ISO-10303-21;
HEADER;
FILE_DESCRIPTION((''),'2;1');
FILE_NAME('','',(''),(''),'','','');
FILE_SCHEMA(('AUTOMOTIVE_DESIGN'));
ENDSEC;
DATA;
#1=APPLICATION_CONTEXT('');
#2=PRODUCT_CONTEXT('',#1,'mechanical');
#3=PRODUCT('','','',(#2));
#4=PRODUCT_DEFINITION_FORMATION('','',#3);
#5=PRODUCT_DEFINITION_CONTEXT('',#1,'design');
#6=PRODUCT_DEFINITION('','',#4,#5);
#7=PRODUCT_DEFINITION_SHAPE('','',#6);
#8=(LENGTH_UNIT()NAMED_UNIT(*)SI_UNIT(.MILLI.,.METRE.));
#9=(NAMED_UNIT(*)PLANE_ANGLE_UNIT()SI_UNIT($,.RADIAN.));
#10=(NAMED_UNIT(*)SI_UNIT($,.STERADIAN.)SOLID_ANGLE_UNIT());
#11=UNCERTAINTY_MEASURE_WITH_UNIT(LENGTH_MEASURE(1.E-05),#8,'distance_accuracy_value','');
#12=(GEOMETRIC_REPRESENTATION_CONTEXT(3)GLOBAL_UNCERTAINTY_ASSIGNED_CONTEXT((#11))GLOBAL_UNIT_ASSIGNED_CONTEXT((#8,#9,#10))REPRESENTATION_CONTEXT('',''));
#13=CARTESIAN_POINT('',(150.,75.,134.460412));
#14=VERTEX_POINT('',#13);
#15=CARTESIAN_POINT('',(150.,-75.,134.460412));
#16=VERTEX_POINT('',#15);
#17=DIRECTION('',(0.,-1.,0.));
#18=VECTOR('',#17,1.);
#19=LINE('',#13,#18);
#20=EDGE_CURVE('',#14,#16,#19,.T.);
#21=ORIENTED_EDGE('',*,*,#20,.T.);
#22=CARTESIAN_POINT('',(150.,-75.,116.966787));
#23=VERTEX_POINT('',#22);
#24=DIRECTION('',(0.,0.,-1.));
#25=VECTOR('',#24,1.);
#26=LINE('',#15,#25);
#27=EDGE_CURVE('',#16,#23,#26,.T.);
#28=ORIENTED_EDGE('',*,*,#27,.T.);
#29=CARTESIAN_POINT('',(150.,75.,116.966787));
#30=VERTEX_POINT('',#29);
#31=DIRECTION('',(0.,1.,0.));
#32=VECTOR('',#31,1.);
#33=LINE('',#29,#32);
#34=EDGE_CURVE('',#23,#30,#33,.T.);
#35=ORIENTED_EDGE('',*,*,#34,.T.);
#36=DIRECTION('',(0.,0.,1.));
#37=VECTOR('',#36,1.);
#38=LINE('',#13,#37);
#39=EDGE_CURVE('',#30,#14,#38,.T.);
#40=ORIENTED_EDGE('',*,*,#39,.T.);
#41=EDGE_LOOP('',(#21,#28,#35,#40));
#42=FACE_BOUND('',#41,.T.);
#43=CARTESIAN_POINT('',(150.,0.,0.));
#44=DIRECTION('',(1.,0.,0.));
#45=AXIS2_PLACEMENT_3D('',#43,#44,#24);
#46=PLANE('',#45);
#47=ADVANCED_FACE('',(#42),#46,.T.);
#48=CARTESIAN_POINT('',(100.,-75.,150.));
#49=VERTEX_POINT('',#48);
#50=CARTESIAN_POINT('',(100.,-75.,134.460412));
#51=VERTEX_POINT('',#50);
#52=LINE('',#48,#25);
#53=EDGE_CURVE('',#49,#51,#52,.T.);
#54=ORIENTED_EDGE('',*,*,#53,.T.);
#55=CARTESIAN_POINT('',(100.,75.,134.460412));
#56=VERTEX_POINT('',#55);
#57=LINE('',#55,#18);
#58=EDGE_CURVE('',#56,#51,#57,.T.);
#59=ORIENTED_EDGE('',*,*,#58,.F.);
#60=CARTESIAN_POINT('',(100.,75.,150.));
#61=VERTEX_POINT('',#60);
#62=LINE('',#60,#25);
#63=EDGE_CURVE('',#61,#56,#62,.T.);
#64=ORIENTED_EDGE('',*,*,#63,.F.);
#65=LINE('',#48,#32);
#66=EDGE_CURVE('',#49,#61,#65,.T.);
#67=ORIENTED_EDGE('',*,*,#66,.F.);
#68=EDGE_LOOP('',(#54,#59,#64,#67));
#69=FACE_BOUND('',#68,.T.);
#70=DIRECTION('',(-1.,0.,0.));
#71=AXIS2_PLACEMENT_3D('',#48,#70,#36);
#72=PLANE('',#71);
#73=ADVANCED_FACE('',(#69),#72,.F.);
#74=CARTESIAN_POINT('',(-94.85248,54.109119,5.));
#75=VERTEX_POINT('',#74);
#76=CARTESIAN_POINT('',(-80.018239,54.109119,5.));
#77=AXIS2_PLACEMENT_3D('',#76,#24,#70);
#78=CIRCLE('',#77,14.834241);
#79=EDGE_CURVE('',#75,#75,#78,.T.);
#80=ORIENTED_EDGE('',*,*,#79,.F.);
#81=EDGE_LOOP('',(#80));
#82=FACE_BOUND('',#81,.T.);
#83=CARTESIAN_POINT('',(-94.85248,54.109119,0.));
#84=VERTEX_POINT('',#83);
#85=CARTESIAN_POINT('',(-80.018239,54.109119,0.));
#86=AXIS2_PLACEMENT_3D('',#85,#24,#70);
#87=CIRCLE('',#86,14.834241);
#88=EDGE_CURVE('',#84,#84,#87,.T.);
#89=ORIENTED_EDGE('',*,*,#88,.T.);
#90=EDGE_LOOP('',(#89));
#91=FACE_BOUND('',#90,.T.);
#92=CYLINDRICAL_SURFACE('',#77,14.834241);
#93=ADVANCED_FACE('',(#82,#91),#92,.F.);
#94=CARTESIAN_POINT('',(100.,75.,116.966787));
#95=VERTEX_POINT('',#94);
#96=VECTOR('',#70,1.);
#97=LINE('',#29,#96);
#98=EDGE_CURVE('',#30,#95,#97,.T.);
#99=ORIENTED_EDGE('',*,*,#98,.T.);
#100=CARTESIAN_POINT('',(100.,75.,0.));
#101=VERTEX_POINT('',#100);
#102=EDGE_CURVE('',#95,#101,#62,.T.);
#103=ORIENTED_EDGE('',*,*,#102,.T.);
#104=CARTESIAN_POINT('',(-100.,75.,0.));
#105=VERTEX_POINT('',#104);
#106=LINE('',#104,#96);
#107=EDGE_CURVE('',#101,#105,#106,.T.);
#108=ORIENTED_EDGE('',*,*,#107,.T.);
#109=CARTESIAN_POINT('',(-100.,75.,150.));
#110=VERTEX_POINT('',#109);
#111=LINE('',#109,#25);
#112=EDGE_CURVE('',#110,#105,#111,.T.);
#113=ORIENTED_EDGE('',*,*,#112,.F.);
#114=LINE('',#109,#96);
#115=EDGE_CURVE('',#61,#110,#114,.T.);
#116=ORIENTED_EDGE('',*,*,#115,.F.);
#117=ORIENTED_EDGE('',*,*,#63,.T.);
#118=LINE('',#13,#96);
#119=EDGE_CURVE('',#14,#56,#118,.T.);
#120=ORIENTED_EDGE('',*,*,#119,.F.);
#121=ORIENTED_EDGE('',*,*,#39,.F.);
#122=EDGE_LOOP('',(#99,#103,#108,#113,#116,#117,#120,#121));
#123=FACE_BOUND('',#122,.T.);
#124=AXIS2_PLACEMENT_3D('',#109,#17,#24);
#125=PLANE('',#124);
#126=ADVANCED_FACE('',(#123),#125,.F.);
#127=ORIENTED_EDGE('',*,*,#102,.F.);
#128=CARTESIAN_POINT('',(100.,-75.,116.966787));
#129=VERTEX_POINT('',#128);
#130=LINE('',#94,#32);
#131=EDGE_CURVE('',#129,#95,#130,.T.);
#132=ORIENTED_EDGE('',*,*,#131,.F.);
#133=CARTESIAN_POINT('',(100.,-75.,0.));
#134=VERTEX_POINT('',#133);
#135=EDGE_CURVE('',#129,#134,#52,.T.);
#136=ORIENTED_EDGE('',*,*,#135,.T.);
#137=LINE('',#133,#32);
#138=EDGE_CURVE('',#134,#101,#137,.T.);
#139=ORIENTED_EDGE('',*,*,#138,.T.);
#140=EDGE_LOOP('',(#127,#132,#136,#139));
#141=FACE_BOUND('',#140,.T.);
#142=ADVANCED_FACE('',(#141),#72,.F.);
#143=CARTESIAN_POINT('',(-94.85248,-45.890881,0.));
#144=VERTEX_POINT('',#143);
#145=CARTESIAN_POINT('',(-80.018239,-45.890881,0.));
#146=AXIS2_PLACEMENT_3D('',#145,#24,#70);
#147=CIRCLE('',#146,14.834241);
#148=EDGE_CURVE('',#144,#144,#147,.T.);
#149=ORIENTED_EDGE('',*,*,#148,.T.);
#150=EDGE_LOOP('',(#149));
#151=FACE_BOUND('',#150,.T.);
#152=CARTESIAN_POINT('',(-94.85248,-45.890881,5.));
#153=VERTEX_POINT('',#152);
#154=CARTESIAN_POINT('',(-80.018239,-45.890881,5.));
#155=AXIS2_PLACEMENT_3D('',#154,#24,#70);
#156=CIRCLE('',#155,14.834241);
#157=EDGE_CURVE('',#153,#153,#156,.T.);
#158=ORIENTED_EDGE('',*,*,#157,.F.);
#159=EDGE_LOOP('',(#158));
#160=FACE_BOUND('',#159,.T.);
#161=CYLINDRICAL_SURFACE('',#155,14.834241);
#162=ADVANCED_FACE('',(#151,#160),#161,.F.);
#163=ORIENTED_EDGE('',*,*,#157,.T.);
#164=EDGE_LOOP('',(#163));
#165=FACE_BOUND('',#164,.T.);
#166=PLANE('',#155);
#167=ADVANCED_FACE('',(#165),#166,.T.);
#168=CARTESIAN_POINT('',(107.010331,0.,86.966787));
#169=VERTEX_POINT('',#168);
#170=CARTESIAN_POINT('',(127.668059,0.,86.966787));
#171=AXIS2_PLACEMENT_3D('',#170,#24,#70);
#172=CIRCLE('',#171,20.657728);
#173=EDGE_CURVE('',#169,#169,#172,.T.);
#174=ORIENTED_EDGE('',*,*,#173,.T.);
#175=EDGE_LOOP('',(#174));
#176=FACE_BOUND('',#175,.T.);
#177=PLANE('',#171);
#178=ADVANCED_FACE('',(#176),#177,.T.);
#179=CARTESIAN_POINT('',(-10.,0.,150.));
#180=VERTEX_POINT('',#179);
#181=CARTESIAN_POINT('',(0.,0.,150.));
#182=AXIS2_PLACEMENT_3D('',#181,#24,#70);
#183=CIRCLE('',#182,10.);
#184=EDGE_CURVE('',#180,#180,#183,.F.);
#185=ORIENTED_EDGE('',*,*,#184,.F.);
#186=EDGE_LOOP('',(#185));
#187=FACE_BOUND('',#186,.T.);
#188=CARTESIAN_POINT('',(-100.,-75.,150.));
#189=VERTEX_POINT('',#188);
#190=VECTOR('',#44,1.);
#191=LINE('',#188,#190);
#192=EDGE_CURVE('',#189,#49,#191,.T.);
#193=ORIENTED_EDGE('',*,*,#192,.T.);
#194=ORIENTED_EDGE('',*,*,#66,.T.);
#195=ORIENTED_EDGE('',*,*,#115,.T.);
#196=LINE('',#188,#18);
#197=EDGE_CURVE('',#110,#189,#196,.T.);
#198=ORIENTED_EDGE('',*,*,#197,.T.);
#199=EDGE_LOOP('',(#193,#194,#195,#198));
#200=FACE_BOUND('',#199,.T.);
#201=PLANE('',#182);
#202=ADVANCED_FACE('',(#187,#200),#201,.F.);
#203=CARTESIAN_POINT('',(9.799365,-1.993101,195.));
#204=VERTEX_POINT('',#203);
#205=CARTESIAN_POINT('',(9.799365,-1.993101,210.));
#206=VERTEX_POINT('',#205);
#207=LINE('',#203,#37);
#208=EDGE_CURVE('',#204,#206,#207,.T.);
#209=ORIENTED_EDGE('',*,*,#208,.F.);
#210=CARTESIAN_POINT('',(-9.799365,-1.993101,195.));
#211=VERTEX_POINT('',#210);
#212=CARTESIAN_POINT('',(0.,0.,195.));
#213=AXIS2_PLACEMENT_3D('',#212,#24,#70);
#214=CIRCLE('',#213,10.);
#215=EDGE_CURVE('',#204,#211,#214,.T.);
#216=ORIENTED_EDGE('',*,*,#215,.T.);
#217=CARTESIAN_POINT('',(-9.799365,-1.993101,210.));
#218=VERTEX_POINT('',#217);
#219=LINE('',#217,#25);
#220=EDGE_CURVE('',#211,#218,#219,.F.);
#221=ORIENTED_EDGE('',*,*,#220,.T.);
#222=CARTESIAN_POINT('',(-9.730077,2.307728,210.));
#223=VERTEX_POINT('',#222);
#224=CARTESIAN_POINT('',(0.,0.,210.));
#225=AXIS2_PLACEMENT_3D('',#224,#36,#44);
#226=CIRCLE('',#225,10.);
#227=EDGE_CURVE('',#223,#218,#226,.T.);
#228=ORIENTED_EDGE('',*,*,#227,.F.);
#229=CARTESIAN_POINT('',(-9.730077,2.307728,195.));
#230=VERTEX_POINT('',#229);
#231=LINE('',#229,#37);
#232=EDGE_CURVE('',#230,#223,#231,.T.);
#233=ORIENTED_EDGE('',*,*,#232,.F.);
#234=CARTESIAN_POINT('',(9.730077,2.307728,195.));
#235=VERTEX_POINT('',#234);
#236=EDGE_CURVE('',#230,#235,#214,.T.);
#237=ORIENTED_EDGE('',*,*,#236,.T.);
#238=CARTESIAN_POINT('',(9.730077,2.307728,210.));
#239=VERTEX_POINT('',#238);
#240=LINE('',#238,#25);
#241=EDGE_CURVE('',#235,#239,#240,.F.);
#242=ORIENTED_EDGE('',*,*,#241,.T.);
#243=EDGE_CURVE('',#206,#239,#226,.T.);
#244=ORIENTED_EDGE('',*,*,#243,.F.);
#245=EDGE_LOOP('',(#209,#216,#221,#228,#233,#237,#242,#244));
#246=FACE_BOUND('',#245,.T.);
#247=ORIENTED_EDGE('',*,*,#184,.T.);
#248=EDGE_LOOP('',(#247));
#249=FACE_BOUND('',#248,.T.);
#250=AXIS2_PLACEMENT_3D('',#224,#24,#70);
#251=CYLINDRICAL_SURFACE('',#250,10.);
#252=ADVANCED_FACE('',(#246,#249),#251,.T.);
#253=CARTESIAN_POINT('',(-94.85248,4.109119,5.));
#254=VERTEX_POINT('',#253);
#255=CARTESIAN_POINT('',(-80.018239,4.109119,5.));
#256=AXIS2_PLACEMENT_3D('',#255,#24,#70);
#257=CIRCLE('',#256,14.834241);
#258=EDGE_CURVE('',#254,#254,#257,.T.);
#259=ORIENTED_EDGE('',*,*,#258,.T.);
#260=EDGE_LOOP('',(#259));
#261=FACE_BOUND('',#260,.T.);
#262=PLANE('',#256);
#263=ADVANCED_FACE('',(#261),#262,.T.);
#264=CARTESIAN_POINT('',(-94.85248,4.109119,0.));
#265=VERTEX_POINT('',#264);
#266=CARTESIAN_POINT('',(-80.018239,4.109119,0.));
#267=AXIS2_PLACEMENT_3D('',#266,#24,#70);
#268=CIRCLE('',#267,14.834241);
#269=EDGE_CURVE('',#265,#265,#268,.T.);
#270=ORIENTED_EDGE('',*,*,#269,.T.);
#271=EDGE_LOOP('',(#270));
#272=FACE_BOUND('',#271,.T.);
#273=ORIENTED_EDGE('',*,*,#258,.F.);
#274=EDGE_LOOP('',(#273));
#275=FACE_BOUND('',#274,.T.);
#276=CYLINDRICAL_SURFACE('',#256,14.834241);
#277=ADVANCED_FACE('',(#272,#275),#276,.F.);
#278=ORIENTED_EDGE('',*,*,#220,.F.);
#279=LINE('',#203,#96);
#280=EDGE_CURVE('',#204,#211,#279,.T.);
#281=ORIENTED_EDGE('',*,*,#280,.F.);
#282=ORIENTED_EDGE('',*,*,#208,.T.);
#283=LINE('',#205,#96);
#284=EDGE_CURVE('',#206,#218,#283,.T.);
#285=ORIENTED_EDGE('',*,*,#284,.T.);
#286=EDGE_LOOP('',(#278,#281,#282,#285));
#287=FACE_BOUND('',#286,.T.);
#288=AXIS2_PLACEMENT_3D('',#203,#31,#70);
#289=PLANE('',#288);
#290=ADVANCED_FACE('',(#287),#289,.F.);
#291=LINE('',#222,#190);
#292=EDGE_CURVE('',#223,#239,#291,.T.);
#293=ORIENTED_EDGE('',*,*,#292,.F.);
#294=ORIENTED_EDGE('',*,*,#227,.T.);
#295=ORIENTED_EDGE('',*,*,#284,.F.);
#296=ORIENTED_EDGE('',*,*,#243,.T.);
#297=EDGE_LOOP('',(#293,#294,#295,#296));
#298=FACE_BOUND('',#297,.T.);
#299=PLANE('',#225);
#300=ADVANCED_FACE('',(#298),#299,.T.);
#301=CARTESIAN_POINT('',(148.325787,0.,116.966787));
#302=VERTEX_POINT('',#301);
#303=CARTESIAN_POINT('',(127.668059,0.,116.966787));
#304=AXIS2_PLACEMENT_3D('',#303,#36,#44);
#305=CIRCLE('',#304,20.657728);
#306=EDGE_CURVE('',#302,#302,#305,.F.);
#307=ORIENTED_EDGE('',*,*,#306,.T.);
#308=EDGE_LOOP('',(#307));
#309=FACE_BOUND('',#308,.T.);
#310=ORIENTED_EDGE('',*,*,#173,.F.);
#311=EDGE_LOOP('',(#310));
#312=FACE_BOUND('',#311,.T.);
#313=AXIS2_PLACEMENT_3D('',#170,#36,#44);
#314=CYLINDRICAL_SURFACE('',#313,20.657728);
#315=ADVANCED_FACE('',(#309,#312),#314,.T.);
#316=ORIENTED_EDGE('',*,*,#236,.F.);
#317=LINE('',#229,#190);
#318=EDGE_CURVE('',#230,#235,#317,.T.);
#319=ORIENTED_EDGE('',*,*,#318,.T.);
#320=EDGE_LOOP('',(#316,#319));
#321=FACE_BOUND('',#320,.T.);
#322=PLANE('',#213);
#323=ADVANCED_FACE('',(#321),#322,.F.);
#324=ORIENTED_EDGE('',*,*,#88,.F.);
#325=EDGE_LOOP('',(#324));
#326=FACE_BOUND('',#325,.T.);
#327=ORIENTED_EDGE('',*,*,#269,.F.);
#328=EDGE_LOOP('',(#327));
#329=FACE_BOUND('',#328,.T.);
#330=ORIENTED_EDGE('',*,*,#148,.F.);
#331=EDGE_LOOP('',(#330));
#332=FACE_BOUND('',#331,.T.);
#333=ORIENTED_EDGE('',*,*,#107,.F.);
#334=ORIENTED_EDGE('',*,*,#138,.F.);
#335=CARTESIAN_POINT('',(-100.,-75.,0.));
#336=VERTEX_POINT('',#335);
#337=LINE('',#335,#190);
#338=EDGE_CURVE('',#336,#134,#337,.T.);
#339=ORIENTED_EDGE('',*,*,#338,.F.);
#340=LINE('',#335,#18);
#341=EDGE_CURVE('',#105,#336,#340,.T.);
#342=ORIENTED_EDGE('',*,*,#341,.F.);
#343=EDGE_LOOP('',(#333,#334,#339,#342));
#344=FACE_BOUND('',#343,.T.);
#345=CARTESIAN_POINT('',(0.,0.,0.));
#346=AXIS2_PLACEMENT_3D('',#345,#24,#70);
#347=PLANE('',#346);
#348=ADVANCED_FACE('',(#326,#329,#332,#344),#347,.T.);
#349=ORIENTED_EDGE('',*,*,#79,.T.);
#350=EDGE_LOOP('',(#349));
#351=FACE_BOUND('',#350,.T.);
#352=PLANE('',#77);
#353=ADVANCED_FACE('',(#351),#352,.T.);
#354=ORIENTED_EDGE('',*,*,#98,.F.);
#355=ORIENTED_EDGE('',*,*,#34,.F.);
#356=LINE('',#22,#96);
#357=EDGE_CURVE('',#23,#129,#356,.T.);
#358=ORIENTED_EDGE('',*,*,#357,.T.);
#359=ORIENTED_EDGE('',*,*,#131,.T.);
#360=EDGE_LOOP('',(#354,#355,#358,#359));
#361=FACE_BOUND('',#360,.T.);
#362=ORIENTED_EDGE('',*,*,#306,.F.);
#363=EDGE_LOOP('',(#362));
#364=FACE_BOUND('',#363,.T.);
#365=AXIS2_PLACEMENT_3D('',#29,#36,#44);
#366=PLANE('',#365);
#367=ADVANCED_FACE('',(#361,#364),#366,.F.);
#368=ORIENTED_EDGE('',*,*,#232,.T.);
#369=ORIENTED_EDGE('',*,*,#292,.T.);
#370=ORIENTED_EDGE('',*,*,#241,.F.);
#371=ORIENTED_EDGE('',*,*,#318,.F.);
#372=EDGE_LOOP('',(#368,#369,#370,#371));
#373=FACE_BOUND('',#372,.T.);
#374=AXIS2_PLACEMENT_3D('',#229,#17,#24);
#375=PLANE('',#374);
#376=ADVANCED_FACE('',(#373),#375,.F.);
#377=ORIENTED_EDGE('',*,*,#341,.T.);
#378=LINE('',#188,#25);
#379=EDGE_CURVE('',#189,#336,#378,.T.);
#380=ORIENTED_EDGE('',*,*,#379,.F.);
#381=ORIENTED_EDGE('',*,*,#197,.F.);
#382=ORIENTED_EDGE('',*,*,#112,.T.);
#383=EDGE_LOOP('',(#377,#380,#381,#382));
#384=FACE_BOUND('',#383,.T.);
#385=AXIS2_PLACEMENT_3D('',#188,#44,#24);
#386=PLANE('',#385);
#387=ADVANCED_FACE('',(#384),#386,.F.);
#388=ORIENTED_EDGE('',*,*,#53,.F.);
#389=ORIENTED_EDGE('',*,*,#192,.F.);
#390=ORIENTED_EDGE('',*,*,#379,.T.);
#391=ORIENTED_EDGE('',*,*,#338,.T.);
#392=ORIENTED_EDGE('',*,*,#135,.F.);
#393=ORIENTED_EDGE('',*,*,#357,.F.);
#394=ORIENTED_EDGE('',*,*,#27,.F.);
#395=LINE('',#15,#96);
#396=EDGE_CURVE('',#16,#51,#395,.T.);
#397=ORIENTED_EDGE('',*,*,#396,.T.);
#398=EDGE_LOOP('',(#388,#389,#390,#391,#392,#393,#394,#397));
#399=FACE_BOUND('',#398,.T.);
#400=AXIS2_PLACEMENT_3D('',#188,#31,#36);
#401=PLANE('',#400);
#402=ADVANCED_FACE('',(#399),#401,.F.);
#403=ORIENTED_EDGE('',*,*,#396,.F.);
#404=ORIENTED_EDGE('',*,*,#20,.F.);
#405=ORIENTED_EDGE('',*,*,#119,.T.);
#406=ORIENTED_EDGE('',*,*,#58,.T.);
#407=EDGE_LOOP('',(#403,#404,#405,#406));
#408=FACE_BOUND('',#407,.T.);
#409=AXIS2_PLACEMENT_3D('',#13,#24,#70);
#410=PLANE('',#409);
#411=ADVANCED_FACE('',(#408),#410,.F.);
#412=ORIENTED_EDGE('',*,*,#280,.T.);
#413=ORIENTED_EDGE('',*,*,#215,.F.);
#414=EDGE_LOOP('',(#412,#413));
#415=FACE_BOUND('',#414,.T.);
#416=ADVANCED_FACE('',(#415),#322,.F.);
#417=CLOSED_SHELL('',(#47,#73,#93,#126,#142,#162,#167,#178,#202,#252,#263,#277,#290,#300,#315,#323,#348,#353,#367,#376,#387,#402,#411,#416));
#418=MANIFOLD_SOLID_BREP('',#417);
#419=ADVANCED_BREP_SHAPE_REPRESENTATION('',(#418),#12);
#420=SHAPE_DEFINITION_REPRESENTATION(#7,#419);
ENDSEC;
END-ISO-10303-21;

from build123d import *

# Parameters (mm, degrees)
SKETCH1_W           = 200
SKETCH1_H           = 150
BOSS_EXTRUDE1_DEPTH = 150
SKETCH2_R           = 14.834241456
CUT_EXTRUDE1_DEPTH  = 5
LPATTERN1_COUNT     = 3
LPATTERN1_PITCH     = 50
SKETCH3_W           = 17.49362466
SKETCH3_H           = 150
BOSS_EXTRUDE2_DEPTH = 50
SKETCH4_R           = 20.657727603
BOSS_EXTRUDE3_DEPTH = 30
SKETCH5_R           = 10
BOSS_EXTRUDE4_DEPTH = 60
SKETCH6_W           = 19.92759369
SKETCH6_H           = 8.419652836
SKETCH6_W_2         = 21.376212584
SKETCH6_H_2         = 8.0068992
CUT_EXTRUDE2_DEPTH  = 15


with BuildPart() as part:
    # Sketch1 → Boss-Extrude1 (new body)
    with BuildSketch(Plane.XY):
        Rectangle(SKETCH1_W, SKETCH1_H)
    extrude(amount=BOSS_EXTRUDE1_DEPTH)

    # Sketch2 → Cut-Extrude1 (cut)
    with BuildSketch(Plane(origin=(0, 0, 0), x_dir=(-1, 0, 0), z_dir=(0, 0, -1))):
        with Locations((80.018238541, 54.109118562)):
            Circle(SKETCH2_R)
    cut_extrude1 = extrude(amount=-CUT_EXTRUDE1_DEPTH, mode=Mode.SUBTRACT)

    # LPattern1: Cut-Extrude1 ×3
    with Locations(*[(0, -i * LPATTERN1_PITCH, 0) for i in range(1, LPATTERN1_COUNT)]):
        add(cut_extrude1, mode=Mode.SUBTRACT)

    # Sketch3 → Boss-Extrude2 (add)
    with BuildSketch(Plane(origin=(100, 0, 0), x_dir=(0, 0, -1), z_dir=(1, 0, 0))):
        with Locations((-125.713599326, 0)):
            Rectangle(SKETCH3_W, SKETCH3_H)
    extrude(amount=BOSS_EXTRUDE2_DEPTH)

    # Sketch4 → Boss-Extrude3 (add)
    with BuildSketch(Plane(origin=(0, 0, 116.966786996), x_dir=(-1, 0, 0), z_dir=(0, 0, -1))):
        with Locations(Location((-127.668059081, 0, 0), (0, 0, 180))):
            Circle(SKETCH4_R)
    extrude(amount=BOSS_EXTRUDE3_DEPTH)

    # Sketch5 → Boss-Extrude4 (add)
    with BuildSketch(Plane.XY.offset(150)):
        with Locations(Location((0, 0, 0), (0, 0, 180))):
            Circle(SKETCH5_R)
    extrude(amount=BOSS_EXTRUDE4_DEPTH)

    # Sketch6 → Cut-Extrude2 (cut)
    with BuildSketch(Plane.XY.offset(210)):
        with Locations((0.233720093, 6.517553958)):
            Rectangle(SKETCH6_W, SKETCH6_H)
        with Locations((-0.888741557, -5.9965504)):
            Rectangle(SKETCH6_W_2, SKETCH6_H_2)
    extrude(amount=-CUT_EXTRUDE2_DEPTH, mode=Mode.SUBTRACT)


solid = part.part
